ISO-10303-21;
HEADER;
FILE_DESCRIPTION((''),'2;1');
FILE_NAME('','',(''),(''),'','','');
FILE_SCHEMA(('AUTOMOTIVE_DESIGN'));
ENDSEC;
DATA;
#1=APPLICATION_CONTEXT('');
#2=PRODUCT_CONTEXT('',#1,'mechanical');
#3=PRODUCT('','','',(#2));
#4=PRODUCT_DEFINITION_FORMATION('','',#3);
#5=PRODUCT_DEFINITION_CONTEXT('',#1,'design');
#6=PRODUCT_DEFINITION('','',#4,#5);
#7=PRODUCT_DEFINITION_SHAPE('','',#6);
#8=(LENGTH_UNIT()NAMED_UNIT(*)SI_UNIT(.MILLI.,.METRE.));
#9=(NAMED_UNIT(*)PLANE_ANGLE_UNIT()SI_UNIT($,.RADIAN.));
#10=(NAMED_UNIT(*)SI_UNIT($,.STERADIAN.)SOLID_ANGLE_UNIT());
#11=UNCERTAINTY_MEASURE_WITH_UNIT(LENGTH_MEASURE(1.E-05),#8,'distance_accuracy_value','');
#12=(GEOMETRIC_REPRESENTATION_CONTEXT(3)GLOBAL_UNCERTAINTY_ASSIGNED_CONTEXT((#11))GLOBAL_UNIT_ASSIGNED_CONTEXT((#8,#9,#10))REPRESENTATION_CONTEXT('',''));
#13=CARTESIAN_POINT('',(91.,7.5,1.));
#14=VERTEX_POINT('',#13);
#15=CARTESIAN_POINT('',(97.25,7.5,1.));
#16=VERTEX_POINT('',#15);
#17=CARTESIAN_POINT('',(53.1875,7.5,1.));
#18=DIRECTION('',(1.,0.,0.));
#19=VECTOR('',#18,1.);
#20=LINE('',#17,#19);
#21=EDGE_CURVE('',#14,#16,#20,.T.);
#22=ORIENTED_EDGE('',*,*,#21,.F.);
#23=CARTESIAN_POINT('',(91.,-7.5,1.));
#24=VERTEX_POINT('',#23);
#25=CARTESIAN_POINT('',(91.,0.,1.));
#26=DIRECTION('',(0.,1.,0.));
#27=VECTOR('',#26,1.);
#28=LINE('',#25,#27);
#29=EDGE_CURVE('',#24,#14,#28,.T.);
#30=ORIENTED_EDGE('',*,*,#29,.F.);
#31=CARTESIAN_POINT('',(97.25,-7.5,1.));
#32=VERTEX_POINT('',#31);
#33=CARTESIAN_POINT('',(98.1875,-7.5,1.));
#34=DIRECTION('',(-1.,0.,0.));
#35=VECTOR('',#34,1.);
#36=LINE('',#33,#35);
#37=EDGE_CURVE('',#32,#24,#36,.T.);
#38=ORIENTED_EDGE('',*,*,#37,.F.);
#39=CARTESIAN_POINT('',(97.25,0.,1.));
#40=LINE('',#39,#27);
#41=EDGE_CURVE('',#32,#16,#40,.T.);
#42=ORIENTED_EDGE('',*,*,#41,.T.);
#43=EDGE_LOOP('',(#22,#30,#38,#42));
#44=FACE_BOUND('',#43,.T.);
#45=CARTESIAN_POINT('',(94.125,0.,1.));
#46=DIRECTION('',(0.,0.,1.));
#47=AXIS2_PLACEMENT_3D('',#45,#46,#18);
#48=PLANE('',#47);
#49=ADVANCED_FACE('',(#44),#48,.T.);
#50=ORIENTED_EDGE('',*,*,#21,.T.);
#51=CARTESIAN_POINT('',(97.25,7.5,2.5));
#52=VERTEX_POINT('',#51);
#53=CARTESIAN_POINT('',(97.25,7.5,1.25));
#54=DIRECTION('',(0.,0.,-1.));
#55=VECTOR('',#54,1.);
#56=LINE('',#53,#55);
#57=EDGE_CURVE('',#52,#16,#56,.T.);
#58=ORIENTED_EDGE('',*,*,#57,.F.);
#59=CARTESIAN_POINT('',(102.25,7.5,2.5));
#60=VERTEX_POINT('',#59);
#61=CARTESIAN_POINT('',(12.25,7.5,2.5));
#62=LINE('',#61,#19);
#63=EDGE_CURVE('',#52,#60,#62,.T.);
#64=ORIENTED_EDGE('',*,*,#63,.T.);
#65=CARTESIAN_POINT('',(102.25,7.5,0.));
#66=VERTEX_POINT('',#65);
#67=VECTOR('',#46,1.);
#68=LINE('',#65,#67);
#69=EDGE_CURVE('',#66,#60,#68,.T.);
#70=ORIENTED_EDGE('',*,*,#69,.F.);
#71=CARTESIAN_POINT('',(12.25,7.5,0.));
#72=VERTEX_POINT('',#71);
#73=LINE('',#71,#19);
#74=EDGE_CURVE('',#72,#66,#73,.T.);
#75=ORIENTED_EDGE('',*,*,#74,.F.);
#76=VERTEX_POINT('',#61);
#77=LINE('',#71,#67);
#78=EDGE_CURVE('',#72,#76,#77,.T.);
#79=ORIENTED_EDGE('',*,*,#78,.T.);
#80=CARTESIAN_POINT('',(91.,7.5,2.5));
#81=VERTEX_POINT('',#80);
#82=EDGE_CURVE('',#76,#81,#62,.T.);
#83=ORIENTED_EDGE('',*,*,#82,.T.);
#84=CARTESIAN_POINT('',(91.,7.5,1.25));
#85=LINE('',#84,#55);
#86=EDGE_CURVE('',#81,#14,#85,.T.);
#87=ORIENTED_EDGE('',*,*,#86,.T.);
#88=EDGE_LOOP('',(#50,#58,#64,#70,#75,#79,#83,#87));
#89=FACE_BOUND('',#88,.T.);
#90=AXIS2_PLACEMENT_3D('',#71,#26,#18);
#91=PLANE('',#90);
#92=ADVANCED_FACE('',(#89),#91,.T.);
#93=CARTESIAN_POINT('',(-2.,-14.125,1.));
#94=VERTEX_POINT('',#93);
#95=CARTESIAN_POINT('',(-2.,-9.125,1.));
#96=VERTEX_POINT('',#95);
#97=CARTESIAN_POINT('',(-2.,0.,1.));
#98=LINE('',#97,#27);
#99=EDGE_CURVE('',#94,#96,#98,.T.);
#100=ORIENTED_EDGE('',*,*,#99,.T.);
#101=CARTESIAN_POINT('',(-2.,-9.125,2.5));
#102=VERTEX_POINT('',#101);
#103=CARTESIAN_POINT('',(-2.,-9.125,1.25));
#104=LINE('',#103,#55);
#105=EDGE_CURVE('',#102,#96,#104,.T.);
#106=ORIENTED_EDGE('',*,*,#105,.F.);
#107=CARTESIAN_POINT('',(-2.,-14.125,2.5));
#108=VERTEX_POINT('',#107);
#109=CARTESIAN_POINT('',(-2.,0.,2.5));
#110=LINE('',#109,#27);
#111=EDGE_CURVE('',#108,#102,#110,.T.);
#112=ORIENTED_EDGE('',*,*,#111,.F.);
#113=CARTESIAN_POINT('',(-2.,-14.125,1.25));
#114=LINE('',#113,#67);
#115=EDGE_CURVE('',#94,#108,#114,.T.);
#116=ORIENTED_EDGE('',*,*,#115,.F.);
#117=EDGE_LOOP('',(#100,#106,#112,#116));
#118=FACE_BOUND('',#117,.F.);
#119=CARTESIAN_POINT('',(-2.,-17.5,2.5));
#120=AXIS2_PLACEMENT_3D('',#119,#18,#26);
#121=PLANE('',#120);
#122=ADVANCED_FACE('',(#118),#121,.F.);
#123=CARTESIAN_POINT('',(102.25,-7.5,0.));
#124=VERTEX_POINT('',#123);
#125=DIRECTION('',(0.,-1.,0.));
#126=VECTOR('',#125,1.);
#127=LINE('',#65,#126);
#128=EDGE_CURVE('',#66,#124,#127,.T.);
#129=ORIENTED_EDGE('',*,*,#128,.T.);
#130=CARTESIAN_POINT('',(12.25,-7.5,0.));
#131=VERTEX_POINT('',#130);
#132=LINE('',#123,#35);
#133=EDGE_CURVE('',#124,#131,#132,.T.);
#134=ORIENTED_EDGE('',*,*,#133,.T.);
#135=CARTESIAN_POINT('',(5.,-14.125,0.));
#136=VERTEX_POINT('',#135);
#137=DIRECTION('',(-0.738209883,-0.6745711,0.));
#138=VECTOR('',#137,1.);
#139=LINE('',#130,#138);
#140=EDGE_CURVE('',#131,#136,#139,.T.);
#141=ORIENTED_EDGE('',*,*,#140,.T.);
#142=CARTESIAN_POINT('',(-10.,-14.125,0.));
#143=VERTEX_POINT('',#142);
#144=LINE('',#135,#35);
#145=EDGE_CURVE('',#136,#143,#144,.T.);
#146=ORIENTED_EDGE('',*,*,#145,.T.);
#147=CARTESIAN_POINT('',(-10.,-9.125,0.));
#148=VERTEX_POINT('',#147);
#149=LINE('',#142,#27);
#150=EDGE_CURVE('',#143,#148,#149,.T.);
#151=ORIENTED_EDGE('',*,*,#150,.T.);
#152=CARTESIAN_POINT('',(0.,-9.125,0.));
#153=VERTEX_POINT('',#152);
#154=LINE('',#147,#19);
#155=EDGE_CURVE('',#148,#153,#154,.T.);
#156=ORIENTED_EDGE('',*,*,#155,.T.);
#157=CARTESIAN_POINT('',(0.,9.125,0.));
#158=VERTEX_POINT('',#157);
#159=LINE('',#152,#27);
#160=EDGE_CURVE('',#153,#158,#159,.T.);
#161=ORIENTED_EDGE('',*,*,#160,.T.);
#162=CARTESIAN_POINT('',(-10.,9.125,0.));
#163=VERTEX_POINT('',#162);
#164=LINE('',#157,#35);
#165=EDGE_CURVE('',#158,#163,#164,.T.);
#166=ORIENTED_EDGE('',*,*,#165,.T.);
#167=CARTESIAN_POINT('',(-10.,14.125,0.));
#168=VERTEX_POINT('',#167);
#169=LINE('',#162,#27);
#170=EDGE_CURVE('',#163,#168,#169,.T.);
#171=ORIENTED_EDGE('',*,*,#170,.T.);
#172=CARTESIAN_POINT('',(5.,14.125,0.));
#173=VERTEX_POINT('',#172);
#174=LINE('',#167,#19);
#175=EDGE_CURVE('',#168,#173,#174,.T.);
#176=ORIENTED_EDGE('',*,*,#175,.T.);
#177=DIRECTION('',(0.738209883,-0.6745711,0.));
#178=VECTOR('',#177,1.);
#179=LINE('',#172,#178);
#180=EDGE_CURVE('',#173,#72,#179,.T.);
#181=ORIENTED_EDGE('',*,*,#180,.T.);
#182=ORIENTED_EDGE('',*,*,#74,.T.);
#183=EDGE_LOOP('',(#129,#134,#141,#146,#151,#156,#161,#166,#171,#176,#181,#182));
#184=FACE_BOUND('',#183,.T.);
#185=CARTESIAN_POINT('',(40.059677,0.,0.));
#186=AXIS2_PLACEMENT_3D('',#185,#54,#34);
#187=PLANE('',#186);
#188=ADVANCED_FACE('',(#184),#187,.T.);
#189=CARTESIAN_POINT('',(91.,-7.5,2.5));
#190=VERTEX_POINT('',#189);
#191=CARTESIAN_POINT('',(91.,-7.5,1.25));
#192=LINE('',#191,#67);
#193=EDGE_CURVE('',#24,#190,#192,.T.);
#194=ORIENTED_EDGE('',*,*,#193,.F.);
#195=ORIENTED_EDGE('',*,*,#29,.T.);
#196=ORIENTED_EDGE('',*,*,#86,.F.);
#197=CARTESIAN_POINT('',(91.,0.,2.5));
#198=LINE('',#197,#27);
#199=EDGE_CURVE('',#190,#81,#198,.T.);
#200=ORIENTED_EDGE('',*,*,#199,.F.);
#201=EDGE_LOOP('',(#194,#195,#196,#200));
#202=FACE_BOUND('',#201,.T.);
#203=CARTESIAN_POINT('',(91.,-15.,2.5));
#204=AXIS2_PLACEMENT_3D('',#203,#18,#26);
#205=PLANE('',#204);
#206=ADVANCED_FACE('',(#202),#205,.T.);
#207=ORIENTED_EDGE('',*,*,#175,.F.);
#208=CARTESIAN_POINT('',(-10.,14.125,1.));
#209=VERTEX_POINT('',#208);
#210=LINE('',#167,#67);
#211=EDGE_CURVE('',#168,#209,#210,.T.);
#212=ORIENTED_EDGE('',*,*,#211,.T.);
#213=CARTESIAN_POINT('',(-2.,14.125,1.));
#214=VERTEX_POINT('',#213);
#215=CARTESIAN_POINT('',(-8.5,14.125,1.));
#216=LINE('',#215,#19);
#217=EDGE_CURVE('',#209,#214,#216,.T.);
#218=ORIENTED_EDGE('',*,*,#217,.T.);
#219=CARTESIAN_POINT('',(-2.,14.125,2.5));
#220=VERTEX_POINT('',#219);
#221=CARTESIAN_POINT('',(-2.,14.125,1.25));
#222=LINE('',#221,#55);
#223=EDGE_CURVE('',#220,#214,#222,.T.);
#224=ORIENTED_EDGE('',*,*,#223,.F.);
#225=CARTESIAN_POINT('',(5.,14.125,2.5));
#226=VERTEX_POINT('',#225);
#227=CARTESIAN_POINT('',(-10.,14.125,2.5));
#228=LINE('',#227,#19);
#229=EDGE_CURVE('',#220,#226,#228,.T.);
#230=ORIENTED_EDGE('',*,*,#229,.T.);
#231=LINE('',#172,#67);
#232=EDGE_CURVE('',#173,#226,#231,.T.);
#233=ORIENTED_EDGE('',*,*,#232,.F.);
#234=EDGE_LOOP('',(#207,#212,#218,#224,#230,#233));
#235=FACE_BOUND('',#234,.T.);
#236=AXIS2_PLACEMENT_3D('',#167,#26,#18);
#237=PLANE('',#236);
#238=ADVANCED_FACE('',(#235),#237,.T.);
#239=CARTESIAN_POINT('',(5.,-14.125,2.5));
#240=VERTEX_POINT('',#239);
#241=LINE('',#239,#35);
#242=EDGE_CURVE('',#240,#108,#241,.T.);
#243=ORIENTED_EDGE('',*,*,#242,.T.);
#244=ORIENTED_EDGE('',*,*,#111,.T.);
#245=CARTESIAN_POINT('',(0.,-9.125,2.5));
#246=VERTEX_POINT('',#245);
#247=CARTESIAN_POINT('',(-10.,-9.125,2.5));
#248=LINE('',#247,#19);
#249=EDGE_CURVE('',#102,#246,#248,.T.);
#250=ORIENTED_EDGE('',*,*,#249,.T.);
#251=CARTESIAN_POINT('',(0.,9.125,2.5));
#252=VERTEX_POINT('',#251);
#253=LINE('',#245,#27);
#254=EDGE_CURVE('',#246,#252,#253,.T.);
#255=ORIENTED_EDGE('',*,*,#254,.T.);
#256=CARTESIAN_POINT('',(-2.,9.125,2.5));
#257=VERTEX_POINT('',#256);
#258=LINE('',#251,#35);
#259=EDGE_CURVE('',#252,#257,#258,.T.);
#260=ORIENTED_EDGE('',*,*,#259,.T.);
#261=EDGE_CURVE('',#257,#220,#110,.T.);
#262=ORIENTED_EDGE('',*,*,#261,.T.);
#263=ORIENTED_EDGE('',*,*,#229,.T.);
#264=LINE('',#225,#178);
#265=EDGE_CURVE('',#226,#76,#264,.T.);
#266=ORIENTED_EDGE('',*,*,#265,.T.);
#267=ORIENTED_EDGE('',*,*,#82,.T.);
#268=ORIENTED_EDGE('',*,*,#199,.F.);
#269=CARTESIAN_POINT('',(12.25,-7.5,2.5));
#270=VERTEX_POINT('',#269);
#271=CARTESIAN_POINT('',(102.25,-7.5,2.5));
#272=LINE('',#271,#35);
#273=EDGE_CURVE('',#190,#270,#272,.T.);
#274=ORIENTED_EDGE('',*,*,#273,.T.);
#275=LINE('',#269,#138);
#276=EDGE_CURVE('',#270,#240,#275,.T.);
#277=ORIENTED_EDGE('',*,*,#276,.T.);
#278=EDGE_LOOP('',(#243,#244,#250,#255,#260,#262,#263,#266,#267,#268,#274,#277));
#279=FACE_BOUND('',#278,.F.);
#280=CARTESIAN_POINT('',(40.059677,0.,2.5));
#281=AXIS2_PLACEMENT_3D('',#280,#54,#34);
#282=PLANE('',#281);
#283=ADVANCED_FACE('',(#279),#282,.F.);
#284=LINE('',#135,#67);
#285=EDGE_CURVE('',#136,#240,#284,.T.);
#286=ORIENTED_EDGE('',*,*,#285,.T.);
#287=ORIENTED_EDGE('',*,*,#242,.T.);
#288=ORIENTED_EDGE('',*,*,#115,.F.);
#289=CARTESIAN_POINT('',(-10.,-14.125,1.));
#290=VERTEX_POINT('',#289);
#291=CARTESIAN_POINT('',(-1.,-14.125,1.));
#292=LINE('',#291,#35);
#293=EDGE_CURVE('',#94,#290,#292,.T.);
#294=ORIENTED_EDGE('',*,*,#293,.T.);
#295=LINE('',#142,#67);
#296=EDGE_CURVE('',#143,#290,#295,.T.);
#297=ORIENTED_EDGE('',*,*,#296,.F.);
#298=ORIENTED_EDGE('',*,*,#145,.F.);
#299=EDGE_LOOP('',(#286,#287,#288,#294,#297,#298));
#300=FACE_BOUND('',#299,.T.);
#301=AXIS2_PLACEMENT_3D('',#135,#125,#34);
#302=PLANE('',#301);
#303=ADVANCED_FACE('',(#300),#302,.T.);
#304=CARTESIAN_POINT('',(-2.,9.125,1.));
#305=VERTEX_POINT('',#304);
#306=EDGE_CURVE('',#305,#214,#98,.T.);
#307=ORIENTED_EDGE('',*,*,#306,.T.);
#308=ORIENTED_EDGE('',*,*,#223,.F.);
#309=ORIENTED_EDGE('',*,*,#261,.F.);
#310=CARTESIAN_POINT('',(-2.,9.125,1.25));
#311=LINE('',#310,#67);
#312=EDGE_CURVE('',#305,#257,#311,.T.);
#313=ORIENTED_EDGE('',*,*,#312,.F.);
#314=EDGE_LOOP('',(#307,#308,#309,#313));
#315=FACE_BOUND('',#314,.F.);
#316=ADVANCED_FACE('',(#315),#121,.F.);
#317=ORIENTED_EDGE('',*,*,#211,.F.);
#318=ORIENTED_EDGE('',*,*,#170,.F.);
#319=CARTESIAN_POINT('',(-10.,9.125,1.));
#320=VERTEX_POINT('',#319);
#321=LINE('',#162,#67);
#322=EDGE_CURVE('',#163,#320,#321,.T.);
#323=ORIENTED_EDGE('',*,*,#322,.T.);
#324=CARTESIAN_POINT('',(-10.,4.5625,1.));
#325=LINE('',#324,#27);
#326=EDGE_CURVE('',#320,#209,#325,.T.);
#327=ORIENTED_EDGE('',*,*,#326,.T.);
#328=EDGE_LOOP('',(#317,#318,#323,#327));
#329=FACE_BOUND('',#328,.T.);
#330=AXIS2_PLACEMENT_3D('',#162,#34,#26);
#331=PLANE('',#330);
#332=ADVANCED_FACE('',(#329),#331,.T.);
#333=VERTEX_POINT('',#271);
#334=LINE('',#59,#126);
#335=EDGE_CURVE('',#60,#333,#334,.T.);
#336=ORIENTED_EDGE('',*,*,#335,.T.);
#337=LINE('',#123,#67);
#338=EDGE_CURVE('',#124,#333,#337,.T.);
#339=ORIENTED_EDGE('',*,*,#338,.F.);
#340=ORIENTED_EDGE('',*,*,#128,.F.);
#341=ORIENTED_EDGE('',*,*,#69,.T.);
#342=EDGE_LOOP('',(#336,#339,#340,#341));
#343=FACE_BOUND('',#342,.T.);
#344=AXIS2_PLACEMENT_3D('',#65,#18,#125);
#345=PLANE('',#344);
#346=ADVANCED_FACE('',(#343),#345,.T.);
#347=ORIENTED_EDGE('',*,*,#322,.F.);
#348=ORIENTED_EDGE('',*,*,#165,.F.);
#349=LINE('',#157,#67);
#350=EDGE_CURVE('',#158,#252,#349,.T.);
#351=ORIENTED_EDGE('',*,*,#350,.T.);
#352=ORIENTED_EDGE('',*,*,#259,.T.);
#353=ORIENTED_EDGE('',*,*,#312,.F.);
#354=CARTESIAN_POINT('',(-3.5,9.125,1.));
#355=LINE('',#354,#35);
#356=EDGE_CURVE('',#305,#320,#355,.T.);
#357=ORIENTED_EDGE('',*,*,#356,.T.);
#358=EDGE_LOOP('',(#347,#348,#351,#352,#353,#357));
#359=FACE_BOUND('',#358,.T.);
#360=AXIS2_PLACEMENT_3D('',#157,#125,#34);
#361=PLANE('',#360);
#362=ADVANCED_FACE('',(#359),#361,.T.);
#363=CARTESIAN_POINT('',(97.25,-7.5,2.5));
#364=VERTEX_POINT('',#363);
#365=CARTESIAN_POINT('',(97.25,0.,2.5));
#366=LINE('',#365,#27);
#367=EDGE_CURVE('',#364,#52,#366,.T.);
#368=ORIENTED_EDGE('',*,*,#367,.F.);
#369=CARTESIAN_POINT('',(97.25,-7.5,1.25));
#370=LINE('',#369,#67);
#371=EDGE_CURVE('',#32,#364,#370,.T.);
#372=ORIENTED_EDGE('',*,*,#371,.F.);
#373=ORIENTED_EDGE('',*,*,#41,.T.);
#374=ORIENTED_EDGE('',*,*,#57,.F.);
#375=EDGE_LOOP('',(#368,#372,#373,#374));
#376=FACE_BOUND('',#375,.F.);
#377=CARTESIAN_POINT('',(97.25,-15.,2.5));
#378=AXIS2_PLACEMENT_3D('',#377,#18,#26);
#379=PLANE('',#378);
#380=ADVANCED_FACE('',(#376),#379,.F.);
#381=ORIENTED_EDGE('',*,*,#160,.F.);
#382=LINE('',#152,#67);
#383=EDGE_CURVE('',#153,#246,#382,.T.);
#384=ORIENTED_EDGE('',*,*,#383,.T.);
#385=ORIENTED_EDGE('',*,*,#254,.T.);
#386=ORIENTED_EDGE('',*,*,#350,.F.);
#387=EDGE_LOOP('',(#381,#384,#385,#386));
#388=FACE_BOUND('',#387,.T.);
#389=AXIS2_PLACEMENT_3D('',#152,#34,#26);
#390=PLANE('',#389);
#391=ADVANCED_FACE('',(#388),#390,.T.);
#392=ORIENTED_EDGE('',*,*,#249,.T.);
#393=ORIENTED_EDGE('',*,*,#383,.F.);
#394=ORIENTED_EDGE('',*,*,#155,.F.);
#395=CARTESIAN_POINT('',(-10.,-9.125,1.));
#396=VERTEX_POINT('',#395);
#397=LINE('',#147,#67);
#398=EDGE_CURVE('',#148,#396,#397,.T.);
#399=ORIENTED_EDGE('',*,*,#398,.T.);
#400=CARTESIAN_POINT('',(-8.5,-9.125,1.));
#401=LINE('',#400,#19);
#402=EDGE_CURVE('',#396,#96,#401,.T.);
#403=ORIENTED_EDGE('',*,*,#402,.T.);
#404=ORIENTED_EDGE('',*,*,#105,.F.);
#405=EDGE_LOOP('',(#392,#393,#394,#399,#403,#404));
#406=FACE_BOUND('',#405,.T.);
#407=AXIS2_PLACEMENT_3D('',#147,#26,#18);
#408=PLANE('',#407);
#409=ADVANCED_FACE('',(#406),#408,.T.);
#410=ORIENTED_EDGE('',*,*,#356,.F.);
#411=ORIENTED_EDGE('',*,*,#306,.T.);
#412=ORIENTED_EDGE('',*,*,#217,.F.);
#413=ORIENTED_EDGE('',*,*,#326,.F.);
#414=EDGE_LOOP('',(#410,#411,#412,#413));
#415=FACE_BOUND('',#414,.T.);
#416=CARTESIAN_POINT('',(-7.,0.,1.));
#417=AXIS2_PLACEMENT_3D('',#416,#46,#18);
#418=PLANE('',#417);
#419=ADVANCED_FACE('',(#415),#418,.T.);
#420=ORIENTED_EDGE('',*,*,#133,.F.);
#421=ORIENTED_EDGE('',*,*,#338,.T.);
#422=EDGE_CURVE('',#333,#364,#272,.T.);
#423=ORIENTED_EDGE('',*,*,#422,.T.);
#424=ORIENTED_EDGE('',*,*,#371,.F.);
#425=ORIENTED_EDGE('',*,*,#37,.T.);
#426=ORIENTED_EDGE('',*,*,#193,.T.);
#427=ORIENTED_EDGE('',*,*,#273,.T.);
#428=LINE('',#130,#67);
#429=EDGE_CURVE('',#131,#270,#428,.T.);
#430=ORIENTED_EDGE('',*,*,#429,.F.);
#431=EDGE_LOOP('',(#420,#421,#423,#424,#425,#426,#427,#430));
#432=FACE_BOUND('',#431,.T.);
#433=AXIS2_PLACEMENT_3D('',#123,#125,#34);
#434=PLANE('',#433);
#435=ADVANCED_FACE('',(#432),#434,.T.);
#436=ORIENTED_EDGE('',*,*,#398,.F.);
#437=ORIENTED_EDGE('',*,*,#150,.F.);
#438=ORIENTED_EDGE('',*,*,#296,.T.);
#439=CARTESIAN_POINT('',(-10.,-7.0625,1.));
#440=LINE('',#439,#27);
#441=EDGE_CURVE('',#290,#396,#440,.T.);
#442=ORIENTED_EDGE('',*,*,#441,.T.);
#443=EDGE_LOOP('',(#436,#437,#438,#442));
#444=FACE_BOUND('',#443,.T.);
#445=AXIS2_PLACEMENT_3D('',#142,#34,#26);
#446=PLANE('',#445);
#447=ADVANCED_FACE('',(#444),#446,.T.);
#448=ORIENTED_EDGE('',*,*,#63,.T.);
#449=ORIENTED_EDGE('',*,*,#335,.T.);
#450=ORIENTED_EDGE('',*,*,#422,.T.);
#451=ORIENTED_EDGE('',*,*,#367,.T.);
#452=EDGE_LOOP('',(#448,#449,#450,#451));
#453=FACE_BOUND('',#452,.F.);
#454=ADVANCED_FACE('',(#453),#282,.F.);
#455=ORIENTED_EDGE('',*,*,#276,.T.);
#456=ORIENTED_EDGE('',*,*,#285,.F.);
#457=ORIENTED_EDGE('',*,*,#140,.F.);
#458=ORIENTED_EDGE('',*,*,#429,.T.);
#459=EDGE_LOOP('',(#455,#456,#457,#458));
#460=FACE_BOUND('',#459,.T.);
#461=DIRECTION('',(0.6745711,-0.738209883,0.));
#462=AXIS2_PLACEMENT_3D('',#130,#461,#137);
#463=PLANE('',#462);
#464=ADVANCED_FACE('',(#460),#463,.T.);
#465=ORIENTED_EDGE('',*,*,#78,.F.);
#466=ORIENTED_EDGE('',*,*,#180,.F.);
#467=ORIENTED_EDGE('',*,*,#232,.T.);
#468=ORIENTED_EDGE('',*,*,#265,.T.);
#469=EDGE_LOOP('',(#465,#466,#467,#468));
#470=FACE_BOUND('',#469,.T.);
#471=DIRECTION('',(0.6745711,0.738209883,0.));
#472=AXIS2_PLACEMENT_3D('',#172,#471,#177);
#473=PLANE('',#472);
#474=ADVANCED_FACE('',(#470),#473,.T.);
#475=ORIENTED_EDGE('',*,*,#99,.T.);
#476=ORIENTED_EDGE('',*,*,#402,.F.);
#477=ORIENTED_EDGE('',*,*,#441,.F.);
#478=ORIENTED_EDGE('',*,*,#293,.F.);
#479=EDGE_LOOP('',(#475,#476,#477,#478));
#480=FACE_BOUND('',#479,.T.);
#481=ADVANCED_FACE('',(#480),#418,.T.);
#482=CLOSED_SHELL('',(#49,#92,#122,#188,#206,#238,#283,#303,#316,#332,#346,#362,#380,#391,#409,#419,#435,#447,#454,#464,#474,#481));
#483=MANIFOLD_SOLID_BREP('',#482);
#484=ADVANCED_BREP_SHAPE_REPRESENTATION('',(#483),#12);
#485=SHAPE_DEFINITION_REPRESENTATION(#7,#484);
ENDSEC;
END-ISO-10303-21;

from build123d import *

# Parameters (mm, degrees)
PAD_DEPTH     = 2.5
SKETCH002_W   = 6.25
SKETCH002_H   = 30
SKETCH002_W_2 = 10
SKETCH002_H_2 = 35
POCKET_DEPTH  = 1.5


with BuildPart() as part:
    # Sketch → Pad (new body)
    with BuildSketch(Plane.XY):
        Polygon((-10, 14.125), (5, 14.125), (12.25, 7.5), (102.25, 7.5), (102.25, -7.5), (12.25, -7.5), (5, -14.125), (-10, -14.125), (-10, -9.125), (0, -9.125), (0, 9.125), (-10, 9.125), align=None)
    extrude(amount=PAD_DEPTH)

    # Sketch002 → Pocket (cut)
    with BuildSketch(Plane.XY.offset(2.5)):
        with Locations((94.125, 0)):
            Rectangle(SKETCH002_W, SKETCH002_H)
        with Locations((-7, 0)):
            Rectangle(SKETCH002_W_2, SKETCH002_H_2)
    extrude(amount=-POCKET_DEPTH, mode=Mode.SUBTRACT)


solid = part.part
